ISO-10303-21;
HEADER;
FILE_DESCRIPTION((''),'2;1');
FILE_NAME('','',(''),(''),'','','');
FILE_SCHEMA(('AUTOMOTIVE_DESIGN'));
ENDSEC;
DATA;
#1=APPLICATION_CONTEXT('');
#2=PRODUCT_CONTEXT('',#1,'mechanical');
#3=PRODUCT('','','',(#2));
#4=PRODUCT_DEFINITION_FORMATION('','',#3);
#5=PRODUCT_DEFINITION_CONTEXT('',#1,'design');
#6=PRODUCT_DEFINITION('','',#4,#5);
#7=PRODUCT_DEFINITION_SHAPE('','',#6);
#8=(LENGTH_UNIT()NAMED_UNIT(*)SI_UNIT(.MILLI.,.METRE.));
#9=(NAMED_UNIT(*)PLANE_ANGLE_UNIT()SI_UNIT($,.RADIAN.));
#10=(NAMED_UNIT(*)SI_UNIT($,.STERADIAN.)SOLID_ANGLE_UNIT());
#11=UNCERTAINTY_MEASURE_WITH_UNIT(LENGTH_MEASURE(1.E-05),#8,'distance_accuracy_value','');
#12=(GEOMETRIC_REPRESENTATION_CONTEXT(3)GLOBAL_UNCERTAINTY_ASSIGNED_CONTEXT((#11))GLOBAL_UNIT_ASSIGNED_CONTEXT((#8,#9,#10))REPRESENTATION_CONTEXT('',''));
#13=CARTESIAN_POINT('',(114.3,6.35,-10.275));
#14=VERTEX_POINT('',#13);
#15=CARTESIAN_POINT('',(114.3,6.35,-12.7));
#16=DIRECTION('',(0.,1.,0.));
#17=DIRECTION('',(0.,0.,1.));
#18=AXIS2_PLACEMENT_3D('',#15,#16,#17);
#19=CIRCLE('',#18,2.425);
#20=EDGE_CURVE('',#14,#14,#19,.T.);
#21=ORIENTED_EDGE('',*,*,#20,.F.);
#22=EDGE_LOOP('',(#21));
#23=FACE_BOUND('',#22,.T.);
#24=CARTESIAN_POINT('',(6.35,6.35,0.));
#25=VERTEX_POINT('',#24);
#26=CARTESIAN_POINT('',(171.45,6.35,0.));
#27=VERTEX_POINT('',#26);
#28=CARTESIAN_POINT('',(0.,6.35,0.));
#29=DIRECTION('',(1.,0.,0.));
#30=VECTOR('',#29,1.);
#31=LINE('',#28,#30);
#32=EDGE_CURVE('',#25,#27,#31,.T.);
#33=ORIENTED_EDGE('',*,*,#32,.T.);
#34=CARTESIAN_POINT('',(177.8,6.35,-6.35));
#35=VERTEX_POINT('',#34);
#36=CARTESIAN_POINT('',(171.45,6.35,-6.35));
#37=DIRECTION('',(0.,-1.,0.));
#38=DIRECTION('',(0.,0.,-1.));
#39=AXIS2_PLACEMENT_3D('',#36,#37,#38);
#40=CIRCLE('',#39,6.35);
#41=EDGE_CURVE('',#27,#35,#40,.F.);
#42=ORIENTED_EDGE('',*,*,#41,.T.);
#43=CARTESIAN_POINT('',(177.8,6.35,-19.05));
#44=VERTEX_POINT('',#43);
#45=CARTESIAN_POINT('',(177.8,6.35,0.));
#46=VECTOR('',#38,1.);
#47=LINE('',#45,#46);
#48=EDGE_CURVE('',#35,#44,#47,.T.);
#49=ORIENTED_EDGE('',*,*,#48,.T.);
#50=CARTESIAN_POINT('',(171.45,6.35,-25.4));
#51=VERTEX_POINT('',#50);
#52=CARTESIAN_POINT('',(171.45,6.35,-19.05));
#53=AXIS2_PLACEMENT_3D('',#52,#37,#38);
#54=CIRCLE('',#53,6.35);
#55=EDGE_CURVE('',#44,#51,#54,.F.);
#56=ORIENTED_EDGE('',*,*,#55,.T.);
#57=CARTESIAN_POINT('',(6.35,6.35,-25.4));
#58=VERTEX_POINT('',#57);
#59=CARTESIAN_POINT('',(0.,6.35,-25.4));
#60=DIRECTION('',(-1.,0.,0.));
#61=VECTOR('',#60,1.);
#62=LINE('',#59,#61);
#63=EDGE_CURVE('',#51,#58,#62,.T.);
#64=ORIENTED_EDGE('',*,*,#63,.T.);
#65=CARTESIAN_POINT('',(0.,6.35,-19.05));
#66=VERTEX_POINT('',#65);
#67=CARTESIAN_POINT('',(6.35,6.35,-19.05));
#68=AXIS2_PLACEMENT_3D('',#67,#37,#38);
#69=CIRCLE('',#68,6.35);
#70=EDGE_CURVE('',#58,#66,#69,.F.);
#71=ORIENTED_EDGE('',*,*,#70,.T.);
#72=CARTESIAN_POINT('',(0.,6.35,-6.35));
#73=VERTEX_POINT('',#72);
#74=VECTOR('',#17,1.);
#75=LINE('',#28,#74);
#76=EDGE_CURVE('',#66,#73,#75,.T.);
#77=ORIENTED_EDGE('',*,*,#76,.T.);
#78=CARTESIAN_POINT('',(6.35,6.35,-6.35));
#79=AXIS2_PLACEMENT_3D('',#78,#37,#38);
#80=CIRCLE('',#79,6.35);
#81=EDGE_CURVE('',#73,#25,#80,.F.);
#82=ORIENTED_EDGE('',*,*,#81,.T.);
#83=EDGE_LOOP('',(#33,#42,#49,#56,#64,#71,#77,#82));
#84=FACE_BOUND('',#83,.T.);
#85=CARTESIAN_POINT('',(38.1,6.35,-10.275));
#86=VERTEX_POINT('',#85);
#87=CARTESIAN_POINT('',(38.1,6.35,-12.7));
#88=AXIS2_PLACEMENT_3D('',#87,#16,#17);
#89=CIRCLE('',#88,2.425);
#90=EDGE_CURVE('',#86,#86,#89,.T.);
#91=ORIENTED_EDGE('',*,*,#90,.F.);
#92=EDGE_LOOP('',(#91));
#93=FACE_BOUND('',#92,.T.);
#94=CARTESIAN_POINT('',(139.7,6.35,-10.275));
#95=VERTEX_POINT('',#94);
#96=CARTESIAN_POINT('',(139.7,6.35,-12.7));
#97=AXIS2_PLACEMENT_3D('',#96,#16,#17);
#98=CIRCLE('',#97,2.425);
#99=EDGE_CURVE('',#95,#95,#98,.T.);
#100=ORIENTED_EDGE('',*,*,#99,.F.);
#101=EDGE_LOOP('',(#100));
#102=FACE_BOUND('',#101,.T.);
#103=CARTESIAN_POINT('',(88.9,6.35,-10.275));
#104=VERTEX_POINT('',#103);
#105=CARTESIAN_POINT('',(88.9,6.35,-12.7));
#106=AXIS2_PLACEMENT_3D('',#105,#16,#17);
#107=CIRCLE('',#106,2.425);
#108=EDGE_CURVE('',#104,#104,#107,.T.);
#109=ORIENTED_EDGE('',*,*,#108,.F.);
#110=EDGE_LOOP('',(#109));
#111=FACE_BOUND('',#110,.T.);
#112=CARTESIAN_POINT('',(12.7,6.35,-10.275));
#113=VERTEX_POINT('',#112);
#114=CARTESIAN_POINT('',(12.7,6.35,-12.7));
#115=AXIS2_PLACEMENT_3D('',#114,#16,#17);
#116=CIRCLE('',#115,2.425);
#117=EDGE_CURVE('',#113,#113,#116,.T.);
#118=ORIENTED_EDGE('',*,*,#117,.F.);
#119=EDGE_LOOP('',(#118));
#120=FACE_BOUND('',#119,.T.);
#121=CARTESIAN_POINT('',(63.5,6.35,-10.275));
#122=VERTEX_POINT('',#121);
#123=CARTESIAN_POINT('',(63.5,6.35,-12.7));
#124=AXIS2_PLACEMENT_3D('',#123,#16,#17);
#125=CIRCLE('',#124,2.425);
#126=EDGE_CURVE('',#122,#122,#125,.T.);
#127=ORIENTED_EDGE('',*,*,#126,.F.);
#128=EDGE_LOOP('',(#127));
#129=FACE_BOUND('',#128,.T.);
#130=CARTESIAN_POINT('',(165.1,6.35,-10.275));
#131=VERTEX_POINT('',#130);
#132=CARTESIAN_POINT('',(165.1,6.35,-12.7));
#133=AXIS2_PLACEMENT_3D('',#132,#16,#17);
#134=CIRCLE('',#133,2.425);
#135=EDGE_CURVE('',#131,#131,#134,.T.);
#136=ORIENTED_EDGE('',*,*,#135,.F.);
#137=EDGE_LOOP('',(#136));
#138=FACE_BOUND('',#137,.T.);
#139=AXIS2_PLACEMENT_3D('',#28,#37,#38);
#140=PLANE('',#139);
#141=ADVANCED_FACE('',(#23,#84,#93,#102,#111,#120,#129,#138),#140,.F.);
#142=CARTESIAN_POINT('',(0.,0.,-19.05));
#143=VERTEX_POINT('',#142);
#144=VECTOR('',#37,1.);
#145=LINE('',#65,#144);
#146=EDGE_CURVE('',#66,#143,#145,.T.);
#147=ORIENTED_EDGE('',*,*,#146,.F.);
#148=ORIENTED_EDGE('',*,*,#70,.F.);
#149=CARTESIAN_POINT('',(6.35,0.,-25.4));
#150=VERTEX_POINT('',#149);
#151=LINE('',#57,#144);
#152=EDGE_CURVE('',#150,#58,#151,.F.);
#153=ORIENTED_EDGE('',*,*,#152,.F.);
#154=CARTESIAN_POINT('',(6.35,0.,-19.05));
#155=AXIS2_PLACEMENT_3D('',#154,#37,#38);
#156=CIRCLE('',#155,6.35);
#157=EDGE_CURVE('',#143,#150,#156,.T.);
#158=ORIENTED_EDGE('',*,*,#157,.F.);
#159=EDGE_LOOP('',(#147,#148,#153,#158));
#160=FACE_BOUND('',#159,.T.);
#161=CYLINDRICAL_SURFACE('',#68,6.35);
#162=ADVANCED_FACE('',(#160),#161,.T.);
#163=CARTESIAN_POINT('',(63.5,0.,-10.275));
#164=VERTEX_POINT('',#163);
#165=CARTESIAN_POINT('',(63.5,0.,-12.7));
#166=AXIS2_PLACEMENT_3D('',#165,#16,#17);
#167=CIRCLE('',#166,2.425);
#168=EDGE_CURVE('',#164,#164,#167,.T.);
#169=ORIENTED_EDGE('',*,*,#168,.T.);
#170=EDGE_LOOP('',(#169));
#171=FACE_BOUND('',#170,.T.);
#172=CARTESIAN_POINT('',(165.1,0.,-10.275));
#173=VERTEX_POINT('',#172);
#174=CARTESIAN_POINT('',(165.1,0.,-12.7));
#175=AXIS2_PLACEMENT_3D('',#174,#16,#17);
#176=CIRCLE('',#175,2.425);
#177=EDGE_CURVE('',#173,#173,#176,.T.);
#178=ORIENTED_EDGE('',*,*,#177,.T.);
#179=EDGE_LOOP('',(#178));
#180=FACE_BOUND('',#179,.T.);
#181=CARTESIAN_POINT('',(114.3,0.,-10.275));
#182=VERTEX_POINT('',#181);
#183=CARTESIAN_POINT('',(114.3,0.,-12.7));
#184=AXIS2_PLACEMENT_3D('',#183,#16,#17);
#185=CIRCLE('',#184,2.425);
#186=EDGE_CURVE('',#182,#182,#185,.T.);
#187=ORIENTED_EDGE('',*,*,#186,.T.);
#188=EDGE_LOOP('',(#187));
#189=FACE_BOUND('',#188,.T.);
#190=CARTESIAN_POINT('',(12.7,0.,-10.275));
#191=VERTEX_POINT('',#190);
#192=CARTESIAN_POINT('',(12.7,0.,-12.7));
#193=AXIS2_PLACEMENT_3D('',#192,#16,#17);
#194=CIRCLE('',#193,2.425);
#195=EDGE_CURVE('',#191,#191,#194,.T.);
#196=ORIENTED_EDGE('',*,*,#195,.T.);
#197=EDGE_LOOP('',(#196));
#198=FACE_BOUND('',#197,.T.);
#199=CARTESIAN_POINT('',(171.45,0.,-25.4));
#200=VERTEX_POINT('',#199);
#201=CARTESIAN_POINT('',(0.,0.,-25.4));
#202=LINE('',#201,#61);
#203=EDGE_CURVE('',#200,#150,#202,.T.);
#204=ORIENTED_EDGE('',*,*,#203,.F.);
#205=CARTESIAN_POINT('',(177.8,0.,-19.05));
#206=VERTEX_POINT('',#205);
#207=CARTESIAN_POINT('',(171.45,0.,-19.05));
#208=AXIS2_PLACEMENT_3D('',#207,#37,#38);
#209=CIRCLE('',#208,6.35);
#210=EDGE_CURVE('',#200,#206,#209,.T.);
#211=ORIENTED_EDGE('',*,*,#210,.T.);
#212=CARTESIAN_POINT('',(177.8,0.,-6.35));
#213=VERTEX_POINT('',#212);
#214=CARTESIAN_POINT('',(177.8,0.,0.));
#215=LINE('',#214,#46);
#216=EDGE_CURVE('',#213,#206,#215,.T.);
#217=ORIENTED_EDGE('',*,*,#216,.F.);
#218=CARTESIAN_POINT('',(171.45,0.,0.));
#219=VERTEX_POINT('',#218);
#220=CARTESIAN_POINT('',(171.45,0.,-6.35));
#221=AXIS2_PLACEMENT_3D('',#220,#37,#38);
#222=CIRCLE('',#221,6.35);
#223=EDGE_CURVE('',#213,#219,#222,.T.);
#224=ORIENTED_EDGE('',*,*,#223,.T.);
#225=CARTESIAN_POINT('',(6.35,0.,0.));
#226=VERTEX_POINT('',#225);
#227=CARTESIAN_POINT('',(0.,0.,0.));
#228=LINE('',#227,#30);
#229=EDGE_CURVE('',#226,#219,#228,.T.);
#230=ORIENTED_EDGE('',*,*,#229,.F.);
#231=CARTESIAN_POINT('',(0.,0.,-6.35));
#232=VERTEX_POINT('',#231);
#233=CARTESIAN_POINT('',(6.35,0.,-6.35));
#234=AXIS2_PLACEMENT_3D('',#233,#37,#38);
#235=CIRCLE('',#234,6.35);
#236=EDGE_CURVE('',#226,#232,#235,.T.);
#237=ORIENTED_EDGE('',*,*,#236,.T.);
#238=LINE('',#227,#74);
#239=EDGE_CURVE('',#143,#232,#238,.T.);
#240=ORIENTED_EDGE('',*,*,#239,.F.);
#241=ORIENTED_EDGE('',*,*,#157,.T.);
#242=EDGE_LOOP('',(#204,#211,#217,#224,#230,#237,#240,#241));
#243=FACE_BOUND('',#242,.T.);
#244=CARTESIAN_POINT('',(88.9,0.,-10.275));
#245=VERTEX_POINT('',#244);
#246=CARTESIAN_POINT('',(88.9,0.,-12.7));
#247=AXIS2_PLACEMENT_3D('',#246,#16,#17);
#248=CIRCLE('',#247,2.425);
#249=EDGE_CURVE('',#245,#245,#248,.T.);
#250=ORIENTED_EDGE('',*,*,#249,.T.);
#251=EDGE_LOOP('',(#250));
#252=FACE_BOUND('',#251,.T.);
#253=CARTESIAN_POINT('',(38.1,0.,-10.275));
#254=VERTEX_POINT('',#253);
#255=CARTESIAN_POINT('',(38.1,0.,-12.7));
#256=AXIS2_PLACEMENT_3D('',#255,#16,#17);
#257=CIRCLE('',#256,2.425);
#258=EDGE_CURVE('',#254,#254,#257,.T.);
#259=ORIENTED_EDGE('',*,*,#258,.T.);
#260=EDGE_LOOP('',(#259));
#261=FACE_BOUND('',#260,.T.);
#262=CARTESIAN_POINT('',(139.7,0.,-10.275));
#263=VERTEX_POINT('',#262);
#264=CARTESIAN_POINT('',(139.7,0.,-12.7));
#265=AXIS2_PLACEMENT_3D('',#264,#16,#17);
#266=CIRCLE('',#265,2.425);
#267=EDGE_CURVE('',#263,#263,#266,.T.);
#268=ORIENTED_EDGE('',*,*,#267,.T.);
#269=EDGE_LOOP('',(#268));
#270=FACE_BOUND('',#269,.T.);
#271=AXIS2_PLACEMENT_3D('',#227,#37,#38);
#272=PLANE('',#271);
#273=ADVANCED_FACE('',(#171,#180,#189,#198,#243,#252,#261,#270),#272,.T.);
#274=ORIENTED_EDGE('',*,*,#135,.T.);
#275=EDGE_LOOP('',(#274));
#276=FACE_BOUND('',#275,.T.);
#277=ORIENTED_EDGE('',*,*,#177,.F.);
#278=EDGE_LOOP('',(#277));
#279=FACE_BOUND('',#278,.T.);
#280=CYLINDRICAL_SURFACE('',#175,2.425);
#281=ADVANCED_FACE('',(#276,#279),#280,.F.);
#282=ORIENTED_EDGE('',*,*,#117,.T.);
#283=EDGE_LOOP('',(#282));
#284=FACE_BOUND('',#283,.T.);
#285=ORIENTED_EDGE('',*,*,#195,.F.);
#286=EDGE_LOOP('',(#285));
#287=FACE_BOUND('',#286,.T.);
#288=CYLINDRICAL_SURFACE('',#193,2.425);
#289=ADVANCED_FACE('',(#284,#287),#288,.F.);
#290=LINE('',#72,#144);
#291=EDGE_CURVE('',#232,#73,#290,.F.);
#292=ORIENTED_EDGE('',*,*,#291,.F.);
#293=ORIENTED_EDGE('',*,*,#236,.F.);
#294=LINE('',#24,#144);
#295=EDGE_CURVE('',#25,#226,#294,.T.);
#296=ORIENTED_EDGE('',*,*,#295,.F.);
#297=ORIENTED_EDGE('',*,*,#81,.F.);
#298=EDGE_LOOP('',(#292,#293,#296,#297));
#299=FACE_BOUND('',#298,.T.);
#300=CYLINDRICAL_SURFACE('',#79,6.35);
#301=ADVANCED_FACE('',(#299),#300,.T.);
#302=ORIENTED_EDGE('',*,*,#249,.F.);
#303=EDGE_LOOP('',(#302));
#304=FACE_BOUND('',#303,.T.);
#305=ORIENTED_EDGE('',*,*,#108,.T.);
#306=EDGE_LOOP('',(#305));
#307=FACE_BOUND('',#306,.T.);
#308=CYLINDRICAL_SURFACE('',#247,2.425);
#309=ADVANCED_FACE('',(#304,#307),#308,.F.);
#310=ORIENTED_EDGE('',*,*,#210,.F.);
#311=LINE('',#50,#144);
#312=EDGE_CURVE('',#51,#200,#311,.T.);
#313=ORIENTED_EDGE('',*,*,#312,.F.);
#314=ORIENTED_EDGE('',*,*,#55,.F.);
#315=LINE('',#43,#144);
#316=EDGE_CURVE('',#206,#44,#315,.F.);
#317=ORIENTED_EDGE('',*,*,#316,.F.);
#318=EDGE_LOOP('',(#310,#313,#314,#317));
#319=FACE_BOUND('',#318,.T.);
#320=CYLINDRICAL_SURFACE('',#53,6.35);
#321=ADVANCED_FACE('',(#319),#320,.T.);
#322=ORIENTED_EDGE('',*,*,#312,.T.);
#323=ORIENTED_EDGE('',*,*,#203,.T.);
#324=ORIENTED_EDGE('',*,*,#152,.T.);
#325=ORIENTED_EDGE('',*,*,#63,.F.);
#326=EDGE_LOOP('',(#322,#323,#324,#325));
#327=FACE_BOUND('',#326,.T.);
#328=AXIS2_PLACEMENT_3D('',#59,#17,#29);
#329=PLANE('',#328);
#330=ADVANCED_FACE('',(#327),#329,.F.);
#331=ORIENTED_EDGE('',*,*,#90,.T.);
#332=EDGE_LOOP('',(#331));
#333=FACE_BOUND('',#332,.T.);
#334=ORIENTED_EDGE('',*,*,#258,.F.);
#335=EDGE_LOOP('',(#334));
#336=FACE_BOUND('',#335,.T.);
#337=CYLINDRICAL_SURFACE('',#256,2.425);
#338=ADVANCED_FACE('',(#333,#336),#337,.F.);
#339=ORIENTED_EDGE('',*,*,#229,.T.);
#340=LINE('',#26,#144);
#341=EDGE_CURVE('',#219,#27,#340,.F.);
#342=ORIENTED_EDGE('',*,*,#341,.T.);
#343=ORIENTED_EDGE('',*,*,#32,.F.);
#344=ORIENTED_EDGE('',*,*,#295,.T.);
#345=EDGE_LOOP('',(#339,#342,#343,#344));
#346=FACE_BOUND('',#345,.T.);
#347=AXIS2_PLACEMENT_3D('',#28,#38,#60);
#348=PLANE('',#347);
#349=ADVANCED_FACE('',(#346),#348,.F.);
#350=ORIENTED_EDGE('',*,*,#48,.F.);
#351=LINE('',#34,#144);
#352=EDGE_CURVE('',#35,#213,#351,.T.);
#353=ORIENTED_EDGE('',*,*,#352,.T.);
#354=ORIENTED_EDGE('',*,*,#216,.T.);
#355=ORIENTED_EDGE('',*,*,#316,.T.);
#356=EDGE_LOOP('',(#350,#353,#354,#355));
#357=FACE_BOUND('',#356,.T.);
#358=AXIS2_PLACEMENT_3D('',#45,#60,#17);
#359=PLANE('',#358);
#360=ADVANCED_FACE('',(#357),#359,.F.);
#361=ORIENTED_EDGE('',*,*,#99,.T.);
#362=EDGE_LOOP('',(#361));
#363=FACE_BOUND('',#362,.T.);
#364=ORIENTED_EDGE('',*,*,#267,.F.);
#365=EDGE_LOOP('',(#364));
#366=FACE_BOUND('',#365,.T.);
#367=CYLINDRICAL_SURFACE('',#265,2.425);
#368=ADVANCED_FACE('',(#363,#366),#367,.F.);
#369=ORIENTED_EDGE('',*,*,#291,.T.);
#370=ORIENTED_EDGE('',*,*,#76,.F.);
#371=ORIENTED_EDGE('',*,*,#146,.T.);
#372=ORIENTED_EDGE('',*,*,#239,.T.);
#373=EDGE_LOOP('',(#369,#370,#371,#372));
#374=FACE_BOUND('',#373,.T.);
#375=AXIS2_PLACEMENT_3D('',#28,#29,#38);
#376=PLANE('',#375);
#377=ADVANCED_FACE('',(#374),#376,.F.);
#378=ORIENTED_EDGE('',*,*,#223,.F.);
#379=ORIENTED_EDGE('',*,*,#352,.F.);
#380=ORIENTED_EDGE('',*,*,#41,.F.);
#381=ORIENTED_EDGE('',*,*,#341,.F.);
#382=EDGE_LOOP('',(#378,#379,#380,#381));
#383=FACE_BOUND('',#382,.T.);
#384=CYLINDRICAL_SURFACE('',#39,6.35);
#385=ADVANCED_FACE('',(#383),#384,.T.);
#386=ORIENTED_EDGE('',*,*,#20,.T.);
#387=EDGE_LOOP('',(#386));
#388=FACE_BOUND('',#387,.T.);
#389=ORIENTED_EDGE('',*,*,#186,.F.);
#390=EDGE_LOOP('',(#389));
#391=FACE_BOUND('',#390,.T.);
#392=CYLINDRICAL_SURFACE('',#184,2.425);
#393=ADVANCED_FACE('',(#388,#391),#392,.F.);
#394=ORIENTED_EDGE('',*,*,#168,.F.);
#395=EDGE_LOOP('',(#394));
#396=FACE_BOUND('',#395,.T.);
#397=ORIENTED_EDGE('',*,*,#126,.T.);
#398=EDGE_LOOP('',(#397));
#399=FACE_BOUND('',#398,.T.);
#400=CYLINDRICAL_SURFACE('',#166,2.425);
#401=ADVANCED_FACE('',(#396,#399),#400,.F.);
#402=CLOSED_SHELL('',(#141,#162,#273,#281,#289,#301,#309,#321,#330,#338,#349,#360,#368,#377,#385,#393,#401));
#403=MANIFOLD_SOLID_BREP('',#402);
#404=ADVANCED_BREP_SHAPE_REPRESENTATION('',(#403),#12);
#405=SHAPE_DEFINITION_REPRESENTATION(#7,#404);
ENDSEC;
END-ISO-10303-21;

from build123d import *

# Parameters (mm, degrees)
SKETCH1_W           = 177.8
SKETCH1_H           = 25.4
BOSS_EXTRUDE1_DEPTH = 6.35
SKETCH2_R           = 2.425
CUT_EXTRUDE1_DEPTH  = 6.35
FILLET1_R           = 6.35


with BuildPart() as part:
    # Sketch1 → Boss-Extrude1 (new body)
    with BuildSketch(Plane(origin=(0, 0, 0), x_dir=(1, 0, 0), z_dir=(0, 1, 0))):
        with Locations((88.9, 12.7)):
            Rectangle(SKETCH1_W, SKETCH1_H)
    extrude(amount=BOSS_EXTRUDE1_DEPTH)

    # Sketch2 → Cut-Extrude1 (cut)
    with BuildSketch(Plane(origin=(0, 6.35, 0), x_dir=(1, 0, 0), z_dir=(0, 1, 0))):
        with Locations((12.7, 12.7)):
            Circle(SKETCH2_R)
        with Locations((38.1, 12.7)):
            Circle(SKETCH2_R)
        with Locations((63.5, 12.7)):
            Circle(SKETCH2_R)
        with Locations((88.9, 12.7)):
            Circle(SKETCH2_R)
        with Locations((114.3, 12.7)):
            Circle(SKETCH2_R)
        with Locations((139.7, 12.7)):
            Circle(SKETCH2_R)
        with Locations((165.1, 12.7)):
            Circle(SKETCH2_R)
    extrude(amount=-CUT_EXTRUDE1_DEPTH, mode=Mode.SUBTRACT)

    # Fillet1
    fillet1_edges = [part.edges().sort_by_distance(p)[0] for p in [
        (0, 3.175, -25.4),
        (177.8, 3.175, -25.4),
        (177.8, 3.175, 0),
        (0, 3.175, 0),
    ]]
    fillet(fillet1_edges, radius=FILLET1_R)


solid = part.part
